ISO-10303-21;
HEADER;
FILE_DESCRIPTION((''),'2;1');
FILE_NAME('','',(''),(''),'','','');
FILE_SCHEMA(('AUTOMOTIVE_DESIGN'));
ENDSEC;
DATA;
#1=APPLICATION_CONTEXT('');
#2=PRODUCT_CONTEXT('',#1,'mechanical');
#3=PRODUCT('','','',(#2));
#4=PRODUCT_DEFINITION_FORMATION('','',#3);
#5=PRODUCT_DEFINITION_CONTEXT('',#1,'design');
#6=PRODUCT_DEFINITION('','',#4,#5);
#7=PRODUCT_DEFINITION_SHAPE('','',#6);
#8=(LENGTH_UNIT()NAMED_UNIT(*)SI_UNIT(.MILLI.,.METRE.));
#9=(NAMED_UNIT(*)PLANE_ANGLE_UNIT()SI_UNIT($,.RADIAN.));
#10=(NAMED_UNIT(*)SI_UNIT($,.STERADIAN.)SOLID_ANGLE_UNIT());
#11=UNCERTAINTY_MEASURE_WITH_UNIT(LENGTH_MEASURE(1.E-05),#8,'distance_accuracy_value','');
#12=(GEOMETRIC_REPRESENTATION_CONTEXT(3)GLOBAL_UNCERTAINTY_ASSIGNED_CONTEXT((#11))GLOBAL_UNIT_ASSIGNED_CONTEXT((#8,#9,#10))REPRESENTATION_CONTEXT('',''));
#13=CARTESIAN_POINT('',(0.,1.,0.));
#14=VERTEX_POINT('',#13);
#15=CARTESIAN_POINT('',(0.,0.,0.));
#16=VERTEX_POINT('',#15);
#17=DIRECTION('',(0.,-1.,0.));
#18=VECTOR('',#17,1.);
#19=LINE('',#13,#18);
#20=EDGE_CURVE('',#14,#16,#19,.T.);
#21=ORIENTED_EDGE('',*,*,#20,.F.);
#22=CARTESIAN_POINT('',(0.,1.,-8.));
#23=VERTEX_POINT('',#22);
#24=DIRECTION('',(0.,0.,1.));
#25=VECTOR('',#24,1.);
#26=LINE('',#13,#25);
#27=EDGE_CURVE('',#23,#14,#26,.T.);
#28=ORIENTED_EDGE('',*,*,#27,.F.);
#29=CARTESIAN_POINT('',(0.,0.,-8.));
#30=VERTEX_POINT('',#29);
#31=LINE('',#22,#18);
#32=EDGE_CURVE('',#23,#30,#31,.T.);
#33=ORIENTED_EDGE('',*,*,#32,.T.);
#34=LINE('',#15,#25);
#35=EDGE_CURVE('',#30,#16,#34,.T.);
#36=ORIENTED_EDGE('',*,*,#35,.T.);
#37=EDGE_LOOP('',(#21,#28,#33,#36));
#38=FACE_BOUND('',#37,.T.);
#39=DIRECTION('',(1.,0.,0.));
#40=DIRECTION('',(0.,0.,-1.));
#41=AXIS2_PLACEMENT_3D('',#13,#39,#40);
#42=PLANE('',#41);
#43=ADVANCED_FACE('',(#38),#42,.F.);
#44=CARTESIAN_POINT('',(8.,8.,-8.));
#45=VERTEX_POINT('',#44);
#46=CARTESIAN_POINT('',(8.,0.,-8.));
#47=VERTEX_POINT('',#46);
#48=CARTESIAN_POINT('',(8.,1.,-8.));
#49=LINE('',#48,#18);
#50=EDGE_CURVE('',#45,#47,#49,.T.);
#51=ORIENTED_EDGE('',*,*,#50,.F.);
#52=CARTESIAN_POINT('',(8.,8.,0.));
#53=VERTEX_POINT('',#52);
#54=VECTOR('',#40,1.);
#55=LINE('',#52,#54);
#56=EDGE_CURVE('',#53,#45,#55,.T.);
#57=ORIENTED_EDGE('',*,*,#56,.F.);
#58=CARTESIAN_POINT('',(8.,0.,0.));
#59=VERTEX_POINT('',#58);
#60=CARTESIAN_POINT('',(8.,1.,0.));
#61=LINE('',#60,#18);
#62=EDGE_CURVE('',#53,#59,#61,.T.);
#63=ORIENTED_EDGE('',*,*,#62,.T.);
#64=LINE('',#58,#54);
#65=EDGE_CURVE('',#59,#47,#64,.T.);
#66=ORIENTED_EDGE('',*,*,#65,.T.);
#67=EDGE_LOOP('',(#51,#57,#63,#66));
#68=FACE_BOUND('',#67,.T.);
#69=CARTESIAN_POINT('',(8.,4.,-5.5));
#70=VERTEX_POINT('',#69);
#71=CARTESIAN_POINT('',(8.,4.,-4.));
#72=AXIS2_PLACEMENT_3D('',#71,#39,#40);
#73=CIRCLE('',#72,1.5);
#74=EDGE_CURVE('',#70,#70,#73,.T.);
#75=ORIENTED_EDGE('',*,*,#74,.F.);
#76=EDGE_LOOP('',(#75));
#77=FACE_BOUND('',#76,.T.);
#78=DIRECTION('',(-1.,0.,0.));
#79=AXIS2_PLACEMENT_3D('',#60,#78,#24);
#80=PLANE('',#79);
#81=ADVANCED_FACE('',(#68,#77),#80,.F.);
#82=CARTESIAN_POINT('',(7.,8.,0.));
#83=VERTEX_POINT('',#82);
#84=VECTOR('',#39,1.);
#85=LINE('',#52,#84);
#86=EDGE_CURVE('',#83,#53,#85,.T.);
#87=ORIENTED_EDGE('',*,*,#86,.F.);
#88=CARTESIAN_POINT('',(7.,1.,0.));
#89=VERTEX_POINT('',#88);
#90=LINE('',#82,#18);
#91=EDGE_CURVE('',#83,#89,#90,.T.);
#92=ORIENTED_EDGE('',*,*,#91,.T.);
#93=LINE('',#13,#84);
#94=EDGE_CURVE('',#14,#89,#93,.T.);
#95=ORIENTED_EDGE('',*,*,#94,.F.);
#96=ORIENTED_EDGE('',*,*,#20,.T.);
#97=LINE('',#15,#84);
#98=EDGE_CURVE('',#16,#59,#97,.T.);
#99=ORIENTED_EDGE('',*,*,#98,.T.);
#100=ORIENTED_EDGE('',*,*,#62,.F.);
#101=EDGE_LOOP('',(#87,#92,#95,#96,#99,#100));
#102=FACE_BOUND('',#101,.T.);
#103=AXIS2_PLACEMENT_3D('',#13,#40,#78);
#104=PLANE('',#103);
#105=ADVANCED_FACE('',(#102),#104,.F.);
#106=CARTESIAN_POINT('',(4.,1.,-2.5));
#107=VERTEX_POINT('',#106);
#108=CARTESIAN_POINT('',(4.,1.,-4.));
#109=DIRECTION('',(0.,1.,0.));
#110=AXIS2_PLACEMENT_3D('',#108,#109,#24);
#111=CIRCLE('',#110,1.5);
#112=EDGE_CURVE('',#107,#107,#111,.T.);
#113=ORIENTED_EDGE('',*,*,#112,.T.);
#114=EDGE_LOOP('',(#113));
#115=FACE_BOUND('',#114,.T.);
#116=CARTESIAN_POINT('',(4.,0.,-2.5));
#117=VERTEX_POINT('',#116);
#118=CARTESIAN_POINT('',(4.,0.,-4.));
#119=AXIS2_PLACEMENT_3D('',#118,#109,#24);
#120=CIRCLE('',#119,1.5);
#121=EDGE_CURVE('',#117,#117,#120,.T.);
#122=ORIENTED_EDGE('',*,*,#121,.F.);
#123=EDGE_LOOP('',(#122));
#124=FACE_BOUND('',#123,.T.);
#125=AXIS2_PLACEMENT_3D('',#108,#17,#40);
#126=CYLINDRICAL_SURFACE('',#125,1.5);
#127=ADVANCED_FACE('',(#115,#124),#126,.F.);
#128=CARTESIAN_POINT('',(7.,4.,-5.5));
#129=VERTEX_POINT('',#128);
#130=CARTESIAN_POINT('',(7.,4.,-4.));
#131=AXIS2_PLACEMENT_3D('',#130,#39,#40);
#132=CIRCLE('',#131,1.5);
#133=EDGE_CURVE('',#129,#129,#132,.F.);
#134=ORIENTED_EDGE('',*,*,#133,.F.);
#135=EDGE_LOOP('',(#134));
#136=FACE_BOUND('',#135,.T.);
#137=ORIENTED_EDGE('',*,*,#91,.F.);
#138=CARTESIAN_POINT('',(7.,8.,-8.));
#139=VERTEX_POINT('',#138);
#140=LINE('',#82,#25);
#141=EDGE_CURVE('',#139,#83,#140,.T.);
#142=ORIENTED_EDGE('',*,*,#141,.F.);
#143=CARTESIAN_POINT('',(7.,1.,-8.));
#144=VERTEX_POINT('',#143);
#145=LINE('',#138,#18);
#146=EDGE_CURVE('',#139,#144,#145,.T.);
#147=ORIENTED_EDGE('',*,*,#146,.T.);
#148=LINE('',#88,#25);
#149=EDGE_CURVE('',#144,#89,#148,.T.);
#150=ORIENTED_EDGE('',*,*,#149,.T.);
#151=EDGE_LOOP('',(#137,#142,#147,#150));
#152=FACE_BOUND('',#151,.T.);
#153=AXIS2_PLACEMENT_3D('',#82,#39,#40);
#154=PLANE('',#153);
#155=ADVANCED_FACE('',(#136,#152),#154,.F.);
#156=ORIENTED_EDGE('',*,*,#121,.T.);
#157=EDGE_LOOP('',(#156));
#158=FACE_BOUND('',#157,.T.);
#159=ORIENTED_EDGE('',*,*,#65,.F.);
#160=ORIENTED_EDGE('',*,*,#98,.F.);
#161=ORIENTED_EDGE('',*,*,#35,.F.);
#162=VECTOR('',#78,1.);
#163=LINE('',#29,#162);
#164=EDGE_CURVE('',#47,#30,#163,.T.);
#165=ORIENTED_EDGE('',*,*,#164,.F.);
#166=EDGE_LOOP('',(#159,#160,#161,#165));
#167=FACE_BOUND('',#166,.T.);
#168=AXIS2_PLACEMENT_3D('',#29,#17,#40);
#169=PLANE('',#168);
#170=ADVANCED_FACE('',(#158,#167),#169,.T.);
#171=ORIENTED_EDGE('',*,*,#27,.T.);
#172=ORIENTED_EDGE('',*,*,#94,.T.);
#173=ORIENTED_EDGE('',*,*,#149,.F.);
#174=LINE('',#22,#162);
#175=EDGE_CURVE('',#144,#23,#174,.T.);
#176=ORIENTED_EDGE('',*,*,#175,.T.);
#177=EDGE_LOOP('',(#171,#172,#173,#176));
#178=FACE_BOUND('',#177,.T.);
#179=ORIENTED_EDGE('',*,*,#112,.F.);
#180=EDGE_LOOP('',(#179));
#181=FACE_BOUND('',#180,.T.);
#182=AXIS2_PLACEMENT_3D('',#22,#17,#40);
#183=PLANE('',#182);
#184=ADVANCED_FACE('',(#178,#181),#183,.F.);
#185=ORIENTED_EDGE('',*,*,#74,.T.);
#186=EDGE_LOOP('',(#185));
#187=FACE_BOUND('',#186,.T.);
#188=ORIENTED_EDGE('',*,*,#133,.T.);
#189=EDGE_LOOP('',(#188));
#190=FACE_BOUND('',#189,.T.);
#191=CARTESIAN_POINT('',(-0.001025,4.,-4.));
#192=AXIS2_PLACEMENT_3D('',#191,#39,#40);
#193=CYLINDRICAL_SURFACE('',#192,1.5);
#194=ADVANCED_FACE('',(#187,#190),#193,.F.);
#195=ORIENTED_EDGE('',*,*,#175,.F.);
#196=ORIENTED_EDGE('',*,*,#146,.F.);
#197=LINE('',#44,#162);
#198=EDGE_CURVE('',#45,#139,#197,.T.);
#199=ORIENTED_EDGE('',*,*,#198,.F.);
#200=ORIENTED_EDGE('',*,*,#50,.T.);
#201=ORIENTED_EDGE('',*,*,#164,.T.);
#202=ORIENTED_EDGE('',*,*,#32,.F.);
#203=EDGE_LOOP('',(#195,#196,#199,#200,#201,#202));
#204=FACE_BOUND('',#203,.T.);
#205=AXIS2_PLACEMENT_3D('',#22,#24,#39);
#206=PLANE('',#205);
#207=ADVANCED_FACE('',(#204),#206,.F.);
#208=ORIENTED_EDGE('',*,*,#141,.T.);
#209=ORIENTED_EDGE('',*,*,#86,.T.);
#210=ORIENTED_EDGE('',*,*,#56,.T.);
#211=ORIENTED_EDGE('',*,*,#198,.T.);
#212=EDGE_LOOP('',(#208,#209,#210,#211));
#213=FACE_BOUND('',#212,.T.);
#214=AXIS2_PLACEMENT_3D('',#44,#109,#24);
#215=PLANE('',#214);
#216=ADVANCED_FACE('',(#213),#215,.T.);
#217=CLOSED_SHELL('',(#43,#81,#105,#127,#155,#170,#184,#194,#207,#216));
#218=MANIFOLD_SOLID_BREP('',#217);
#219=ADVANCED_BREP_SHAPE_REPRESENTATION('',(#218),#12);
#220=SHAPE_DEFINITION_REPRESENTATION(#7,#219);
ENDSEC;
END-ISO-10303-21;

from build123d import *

# Parameters (mm, degrees)
ESQUISSE1_W      = 8
ESQUISSE1_H      = 8
ESQUISSE1_R      = 1.5
EXTRUSION1_DEPTH = 1
ESQUISSE2_W      = 1
ESQUISSE2_H      = 8
EXTRUSION2_DEPTH = 7
EXTRUSION3_REACH = 10
ESQUISSE3_R      = 1.5


with BuildPart() as part:
    # Esquisse1 → Extrusion1 (new body)
    with BuildSketch(Plane(origin=(0, 0, 0), x_dir=(1, 0, 0), z_dir=(0, 1, 0))):
        with Locations((4, 4)):
            Rectangle(ESQUISSE1_W, ESQUISSE1_H)
        with Locations((4, 4)):
            Circle(ESQUISSE1_R, mode=Mode.SUBTRACT)
    extrude(amount=EXTRUSION1_DEPTH)

    # Esquisse2 → Extrusion2 (add)
    with BuildSketch(Plane(origin=(0, 1, 0), x_dir=(1, 0, 0), z_dir=(0, 1, 0))):
        with Locations((7.5, 4)):
            Rectangle(ESQUISSE2_W, ESQUISSE2_H)
    extrude(amount=EXTRUSION2_DEPTH)

    # Esquisse3 → Extrusion3 (cut, up to next)
    with BuildSketch(Plane(origin=(8, 0, 0), x_dir=(0, 0, -1), z_dir=(1, 0, 0)), mode=Mode.PRIVATE) as extrusion3_sk1:
        with Locations((4, 4)):
            Circle(ESQUISSE3_R)
    extrusion3_tool1 = extrude(extrusion3_sk1.sketch, amount=-EXTRUSION3_REACH, mode=Mode.PRIVATE) & part.part
    add(extrusion3_tool1.solids().sort_by_distance((8, 4, -4))[0], mode=Mode.SUBTRACT)


solid = part.part
